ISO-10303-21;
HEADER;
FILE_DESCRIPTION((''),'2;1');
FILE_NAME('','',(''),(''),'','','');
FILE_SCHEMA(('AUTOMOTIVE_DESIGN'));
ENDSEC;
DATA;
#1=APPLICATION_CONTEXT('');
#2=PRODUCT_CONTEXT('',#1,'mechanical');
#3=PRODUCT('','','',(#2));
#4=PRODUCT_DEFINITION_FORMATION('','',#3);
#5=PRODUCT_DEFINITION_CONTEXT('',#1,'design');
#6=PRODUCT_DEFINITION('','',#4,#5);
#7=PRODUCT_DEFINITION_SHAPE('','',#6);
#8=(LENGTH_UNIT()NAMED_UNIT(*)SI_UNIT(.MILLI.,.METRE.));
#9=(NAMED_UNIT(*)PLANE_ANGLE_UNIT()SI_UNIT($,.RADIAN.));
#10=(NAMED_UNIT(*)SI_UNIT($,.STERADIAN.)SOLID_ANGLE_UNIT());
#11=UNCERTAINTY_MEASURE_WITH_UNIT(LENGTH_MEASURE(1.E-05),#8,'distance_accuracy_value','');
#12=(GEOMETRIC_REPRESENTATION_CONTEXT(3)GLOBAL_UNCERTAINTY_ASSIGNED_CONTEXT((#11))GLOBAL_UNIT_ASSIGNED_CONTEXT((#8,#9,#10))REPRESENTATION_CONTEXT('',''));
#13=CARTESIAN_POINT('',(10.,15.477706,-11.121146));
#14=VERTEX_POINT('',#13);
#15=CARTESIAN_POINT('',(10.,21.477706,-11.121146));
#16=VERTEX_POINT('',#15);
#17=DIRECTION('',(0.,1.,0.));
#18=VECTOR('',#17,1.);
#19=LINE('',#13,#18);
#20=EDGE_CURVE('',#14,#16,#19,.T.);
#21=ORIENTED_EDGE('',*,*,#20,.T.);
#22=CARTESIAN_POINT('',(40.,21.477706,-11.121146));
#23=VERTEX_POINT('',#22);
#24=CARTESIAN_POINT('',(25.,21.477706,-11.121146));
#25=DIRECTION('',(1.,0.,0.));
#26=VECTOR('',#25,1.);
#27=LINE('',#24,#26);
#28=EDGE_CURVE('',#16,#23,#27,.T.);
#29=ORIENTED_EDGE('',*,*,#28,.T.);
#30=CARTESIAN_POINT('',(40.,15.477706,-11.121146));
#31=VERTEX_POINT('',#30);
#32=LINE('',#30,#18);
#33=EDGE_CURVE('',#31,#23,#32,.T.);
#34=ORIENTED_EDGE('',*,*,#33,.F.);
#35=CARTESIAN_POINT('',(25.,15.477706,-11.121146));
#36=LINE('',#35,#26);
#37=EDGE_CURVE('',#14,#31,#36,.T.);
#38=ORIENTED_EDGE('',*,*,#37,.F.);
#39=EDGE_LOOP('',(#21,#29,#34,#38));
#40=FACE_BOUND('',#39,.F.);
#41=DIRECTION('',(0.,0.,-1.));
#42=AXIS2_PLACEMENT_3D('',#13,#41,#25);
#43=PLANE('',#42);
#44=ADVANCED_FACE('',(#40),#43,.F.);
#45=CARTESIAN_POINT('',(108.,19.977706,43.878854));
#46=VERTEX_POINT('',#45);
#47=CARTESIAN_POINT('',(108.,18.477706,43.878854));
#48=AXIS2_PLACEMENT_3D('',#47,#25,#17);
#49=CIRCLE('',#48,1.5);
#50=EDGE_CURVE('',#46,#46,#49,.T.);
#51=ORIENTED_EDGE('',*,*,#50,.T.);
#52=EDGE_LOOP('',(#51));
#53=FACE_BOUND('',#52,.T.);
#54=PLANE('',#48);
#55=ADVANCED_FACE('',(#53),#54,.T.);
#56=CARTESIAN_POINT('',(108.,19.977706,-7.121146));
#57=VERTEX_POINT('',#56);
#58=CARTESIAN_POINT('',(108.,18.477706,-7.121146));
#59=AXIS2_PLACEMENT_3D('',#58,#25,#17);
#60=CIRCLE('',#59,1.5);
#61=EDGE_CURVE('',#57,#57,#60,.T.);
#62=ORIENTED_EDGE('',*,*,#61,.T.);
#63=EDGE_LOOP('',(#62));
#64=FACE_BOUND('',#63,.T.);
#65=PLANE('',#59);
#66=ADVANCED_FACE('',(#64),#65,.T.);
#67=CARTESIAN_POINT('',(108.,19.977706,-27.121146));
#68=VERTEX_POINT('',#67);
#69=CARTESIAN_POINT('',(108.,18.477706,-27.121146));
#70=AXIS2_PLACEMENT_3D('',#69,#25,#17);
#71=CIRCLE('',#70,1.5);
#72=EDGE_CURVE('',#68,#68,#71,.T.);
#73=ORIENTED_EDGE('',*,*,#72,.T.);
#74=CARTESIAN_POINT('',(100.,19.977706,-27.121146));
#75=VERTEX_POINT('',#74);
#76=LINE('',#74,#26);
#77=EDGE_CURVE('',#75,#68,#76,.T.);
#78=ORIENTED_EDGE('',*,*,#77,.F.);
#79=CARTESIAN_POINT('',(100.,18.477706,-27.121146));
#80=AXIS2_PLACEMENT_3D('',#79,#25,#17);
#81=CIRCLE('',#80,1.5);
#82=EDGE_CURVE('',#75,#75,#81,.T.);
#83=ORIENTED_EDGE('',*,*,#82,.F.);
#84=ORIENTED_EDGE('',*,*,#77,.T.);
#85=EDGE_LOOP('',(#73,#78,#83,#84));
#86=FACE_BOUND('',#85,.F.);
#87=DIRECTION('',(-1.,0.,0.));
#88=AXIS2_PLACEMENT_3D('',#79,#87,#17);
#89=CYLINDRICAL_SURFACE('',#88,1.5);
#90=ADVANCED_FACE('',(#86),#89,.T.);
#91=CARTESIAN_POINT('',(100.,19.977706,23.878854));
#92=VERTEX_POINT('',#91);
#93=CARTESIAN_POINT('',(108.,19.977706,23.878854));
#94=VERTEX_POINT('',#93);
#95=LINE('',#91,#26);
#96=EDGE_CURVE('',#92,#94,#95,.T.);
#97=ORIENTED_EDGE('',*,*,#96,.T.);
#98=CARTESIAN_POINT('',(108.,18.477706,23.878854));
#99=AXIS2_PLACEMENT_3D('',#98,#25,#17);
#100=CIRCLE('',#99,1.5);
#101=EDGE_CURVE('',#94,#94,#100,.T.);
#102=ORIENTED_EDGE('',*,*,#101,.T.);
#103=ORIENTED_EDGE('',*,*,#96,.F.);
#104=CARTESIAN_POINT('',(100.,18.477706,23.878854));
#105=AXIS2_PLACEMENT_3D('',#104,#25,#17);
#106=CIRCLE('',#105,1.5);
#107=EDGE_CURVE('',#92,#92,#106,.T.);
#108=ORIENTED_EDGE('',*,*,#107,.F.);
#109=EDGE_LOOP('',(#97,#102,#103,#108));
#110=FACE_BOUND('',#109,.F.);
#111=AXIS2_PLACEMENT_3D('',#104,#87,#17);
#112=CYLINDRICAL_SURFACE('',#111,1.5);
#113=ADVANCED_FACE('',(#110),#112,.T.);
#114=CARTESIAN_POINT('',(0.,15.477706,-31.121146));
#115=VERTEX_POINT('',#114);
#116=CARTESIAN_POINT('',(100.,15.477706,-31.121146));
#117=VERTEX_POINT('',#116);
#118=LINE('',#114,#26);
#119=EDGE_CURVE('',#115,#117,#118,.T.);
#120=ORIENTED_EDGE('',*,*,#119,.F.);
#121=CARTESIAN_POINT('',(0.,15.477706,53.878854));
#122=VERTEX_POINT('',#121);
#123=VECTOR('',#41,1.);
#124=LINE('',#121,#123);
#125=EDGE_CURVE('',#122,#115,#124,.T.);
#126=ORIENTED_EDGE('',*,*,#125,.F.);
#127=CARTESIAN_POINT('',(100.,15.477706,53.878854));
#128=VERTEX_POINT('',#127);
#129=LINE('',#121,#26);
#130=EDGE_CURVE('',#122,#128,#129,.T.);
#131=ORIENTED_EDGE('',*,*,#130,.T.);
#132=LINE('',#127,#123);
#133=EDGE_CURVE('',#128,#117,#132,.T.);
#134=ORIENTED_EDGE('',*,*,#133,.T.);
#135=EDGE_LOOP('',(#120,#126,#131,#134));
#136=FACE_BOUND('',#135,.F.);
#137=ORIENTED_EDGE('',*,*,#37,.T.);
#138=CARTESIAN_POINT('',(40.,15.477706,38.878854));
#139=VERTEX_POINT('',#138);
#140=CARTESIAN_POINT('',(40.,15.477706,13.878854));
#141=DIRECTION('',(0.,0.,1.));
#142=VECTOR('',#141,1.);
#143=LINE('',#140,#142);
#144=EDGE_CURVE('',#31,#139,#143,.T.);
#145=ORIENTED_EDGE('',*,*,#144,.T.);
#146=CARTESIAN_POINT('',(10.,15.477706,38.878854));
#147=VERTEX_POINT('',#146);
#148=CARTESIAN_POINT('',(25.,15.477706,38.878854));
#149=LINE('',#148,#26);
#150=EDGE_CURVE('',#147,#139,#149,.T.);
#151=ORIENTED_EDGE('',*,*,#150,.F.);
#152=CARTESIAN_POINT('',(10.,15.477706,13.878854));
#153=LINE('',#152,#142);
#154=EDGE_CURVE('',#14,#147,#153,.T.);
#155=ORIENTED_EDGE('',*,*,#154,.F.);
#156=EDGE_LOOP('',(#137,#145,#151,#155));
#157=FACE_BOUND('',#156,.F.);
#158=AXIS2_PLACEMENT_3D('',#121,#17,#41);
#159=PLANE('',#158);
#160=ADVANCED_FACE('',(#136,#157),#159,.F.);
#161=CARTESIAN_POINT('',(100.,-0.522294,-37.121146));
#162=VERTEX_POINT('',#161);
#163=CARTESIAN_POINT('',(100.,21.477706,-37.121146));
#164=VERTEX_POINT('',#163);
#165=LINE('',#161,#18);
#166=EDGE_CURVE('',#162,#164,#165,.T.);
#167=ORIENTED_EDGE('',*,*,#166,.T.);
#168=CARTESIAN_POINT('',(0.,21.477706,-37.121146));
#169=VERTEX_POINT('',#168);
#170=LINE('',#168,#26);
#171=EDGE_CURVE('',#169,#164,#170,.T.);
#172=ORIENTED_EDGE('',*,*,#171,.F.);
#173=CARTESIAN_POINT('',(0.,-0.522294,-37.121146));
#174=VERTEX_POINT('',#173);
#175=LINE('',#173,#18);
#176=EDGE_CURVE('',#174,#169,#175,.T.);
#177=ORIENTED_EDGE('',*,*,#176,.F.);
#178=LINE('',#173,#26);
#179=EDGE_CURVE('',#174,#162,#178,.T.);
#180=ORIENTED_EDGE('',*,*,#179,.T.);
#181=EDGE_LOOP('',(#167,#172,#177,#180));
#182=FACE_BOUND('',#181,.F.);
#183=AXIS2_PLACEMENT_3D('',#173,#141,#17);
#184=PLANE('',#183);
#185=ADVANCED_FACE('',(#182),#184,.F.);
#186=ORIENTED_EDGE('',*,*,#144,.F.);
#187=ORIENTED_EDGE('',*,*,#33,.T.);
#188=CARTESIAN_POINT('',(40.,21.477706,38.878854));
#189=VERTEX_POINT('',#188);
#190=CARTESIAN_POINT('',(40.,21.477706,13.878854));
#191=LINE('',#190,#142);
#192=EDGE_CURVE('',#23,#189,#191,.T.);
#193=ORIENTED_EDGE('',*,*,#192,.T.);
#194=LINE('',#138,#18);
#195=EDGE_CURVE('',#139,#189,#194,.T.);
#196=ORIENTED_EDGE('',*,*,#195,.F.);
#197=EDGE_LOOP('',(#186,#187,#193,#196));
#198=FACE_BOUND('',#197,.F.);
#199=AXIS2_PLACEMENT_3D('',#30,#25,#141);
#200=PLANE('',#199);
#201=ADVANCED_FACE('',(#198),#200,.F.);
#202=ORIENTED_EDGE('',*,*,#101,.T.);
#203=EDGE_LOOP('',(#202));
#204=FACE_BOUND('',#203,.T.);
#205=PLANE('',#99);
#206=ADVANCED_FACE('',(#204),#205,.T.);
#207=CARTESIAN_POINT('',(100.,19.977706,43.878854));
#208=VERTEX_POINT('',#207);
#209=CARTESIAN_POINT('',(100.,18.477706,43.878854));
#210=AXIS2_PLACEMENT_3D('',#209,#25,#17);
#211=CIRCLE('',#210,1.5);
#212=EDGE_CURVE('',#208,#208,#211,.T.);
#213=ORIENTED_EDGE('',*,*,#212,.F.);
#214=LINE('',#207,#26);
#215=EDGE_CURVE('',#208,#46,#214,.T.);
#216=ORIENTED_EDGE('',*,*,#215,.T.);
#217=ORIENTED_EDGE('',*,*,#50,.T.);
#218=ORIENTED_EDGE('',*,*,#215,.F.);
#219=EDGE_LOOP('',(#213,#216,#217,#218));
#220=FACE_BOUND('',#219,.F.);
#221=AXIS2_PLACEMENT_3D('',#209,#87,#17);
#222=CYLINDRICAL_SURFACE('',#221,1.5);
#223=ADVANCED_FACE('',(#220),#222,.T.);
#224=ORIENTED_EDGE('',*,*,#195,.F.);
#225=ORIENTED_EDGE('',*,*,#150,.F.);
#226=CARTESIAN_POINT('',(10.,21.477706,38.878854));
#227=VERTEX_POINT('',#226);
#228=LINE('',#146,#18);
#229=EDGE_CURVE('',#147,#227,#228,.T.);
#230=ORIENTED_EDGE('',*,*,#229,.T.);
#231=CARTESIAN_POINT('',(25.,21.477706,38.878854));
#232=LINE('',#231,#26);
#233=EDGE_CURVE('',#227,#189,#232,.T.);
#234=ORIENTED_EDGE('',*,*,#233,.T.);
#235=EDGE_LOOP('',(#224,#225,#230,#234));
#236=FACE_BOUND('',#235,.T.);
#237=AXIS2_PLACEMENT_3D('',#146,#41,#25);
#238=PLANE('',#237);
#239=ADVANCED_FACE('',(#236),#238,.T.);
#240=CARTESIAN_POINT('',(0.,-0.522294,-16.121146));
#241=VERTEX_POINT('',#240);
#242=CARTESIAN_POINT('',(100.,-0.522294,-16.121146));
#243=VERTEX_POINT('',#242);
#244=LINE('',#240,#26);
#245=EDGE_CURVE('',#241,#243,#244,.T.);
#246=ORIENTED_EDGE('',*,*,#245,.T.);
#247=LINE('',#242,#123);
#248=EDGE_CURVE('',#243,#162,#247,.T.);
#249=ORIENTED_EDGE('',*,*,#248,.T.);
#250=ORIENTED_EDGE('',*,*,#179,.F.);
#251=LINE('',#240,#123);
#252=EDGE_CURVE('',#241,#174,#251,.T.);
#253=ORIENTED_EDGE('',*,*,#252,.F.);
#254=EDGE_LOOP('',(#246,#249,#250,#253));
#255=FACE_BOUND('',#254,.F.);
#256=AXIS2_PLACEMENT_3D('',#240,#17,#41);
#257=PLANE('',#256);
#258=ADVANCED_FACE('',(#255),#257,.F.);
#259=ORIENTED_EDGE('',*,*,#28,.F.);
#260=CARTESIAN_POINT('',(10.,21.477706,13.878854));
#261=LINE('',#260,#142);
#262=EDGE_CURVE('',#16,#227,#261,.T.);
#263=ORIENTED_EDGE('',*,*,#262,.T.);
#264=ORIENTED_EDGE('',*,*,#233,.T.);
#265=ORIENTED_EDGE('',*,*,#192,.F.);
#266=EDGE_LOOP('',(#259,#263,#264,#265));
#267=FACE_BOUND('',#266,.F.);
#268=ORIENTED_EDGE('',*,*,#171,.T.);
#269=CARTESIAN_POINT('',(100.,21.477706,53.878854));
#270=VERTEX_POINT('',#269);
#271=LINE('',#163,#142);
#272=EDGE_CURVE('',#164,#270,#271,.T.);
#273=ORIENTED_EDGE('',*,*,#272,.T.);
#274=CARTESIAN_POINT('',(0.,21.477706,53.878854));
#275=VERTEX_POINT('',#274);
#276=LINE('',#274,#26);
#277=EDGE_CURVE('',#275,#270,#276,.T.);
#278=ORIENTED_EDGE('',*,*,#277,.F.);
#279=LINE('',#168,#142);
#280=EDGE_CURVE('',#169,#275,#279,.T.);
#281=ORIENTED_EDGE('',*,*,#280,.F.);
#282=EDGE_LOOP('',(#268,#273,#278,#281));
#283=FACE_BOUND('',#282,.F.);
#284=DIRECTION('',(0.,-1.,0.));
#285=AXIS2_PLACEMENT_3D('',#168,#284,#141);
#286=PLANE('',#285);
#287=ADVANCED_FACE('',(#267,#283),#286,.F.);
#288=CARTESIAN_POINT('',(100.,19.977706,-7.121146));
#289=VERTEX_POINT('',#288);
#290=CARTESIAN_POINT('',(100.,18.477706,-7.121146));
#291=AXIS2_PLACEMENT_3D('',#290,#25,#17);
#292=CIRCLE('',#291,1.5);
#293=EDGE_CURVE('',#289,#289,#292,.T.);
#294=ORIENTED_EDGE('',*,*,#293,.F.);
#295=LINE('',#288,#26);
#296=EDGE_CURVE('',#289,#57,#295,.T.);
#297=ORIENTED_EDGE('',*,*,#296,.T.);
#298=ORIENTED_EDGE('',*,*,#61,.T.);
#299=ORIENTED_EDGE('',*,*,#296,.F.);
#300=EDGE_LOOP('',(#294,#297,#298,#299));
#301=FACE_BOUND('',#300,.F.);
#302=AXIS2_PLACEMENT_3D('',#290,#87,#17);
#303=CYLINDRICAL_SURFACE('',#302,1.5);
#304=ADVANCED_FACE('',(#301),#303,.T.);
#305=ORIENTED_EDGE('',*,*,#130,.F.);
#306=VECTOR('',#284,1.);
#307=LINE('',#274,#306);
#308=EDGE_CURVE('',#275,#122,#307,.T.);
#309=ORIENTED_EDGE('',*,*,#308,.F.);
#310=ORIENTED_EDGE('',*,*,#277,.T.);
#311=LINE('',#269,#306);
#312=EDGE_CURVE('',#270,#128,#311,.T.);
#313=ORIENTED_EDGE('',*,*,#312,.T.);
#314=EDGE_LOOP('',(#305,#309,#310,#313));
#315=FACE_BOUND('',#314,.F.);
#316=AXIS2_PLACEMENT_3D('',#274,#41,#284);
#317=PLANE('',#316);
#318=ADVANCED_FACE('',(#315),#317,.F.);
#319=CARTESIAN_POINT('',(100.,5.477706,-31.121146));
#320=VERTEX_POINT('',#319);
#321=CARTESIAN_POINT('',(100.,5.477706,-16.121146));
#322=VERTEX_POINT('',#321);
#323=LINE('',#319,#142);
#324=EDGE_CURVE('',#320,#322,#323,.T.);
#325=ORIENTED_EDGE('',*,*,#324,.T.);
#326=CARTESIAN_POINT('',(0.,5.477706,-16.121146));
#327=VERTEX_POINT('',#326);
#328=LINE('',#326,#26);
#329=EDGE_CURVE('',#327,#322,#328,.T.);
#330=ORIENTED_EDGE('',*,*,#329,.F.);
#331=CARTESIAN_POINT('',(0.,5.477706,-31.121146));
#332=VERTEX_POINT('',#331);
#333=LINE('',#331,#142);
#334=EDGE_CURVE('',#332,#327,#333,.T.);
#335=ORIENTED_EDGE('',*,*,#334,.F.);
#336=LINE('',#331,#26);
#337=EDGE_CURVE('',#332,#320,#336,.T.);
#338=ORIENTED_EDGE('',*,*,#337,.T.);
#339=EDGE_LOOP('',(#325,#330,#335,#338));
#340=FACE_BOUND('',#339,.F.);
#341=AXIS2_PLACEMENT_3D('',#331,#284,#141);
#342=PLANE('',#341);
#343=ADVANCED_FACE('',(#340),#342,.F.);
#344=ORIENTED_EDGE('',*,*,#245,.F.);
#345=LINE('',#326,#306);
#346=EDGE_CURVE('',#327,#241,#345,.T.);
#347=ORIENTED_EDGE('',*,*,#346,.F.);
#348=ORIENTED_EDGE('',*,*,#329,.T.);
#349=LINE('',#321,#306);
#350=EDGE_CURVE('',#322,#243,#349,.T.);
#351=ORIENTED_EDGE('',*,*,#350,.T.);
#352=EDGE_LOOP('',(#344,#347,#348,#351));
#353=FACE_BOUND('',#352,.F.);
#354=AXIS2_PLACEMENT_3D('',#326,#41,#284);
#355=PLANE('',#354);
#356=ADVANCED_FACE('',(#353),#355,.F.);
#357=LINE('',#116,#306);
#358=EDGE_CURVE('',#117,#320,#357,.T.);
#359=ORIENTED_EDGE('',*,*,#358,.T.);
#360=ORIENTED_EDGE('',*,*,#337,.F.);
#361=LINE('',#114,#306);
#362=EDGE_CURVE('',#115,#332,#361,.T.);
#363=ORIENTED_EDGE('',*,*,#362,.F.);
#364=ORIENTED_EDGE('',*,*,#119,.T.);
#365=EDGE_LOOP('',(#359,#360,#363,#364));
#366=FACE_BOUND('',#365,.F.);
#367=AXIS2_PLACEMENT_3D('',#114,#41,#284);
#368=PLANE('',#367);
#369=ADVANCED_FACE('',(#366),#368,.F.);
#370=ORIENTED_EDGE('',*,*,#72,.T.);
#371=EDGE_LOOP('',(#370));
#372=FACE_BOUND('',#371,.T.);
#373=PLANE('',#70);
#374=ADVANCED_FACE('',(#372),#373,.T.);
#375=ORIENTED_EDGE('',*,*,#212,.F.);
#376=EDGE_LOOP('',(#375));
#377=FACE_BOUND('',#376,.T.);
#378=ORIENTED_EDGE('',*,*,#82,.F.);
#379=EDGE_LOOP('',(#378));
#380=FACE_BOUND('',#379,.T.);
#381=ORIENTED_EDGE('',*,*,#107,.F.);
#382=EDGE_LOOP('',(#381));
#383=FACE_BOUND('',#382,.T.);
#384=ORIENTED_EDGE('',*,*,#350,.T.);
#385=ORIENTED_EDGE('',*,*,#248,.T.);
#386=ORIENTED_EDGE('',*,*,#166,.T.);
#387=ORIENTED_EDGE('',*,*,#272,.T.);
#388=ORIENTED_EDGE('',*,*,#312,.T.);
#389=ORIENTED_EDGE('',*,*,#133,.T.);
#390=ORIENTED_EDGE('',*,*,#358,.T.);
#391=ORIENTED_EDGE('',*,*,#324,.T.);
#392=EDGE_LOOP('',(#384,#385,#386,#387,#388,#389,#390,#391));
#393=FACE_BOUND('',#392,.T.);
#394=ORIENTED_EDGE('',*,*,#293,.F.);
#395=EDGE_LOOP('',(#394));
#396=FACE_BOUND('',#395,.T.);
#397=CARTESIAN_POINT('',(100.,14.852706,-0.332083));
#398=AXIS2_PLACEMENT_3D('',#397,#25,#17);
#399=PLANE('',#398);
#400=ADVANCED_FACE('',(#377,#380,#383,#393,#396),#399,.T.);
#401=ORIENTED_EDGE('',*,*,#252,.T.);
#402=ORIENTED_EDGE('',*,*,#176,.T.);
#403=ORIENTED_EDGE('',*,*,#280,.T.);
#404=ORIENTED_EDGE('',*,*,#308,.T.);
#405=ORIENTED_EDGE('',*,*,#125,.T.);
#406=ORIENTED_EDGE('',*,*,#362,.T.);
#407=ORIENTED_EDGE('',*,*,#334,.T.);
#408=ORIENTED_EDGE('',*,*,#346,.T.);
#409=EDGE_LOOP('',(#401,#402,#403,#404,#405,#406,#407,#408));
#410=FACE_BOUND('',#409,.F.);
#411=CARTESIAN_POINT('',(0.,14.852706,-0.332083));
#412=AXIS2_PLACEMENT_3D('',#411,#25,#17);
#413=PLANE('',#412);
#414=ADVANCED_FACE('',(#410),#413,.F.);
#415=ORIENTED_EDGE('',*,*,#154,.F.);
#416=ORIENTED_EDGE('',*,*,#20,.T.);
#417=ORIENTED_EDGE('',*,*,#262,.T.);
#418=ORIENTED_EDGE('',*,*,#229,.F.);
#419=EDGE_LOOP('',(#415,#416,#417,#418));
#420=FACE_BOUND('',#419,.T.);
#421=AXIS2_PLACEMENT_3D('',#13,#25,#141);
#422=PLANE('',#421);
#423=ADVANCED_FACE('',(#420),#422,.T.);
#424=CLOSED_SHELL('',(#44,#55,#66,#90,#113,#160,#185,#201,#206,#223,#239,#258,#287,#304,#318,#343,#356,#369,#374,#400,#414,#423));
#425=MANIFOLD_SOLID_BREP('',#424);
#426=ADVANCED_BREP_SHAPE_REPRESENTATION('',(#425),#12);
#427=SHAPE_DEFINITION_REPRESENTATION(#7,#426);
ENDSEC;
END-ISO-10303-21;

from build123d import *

# Parameters (mm, degrees)
F1_DEPTH = 100
F2_W     = 30
F2_H     = 50
F3_DEPTH = 6
F4_R     = 1.5
F5_DEPTH = 8


with BuildPart() as f1:
    # F0 (on Right) → F1 (new body)
    with BuildSketch(Plane.YZ):
        Polygon((21.477706, -37.121146), (21.477706, 53.878854), (15.477706, 53.878854), (15.477706, -31.121146), (5.477706, -31.121146), (5.477706, -16.121146), (-0.522294, -16.121146), (-0.522294, -37.121146), align=None)
    extrude(amount=F1_DEPTH)

    # F2 (on face) → F3 (cut)
    with BuildSketch(Plane.XZ.offset(-15.477706)):
        with Locations((25, 13.878854)):
            Rectangle(F2_W, F2_H)
    extrude(amount=-F3_DEPTH, mode=Mode.SUBTRACT)

    # F4 (on face) → F5 (join)
    with BuildSketch(Plane.YZ.offset(100)):
        with Locations((18.477706, 43.878854)):
            Circle(F4_R)
        with Locations((18.477706, 23.878854)):
            Circle(F4_R)
        with Locations((18.477706, -7.121146)):
            Circle(F4_R)
        with Locations((18.477706, -27.121146)):
            Circle(F4_R)
    extrude(amount=F5_DEPTH)


solid = f1.part
